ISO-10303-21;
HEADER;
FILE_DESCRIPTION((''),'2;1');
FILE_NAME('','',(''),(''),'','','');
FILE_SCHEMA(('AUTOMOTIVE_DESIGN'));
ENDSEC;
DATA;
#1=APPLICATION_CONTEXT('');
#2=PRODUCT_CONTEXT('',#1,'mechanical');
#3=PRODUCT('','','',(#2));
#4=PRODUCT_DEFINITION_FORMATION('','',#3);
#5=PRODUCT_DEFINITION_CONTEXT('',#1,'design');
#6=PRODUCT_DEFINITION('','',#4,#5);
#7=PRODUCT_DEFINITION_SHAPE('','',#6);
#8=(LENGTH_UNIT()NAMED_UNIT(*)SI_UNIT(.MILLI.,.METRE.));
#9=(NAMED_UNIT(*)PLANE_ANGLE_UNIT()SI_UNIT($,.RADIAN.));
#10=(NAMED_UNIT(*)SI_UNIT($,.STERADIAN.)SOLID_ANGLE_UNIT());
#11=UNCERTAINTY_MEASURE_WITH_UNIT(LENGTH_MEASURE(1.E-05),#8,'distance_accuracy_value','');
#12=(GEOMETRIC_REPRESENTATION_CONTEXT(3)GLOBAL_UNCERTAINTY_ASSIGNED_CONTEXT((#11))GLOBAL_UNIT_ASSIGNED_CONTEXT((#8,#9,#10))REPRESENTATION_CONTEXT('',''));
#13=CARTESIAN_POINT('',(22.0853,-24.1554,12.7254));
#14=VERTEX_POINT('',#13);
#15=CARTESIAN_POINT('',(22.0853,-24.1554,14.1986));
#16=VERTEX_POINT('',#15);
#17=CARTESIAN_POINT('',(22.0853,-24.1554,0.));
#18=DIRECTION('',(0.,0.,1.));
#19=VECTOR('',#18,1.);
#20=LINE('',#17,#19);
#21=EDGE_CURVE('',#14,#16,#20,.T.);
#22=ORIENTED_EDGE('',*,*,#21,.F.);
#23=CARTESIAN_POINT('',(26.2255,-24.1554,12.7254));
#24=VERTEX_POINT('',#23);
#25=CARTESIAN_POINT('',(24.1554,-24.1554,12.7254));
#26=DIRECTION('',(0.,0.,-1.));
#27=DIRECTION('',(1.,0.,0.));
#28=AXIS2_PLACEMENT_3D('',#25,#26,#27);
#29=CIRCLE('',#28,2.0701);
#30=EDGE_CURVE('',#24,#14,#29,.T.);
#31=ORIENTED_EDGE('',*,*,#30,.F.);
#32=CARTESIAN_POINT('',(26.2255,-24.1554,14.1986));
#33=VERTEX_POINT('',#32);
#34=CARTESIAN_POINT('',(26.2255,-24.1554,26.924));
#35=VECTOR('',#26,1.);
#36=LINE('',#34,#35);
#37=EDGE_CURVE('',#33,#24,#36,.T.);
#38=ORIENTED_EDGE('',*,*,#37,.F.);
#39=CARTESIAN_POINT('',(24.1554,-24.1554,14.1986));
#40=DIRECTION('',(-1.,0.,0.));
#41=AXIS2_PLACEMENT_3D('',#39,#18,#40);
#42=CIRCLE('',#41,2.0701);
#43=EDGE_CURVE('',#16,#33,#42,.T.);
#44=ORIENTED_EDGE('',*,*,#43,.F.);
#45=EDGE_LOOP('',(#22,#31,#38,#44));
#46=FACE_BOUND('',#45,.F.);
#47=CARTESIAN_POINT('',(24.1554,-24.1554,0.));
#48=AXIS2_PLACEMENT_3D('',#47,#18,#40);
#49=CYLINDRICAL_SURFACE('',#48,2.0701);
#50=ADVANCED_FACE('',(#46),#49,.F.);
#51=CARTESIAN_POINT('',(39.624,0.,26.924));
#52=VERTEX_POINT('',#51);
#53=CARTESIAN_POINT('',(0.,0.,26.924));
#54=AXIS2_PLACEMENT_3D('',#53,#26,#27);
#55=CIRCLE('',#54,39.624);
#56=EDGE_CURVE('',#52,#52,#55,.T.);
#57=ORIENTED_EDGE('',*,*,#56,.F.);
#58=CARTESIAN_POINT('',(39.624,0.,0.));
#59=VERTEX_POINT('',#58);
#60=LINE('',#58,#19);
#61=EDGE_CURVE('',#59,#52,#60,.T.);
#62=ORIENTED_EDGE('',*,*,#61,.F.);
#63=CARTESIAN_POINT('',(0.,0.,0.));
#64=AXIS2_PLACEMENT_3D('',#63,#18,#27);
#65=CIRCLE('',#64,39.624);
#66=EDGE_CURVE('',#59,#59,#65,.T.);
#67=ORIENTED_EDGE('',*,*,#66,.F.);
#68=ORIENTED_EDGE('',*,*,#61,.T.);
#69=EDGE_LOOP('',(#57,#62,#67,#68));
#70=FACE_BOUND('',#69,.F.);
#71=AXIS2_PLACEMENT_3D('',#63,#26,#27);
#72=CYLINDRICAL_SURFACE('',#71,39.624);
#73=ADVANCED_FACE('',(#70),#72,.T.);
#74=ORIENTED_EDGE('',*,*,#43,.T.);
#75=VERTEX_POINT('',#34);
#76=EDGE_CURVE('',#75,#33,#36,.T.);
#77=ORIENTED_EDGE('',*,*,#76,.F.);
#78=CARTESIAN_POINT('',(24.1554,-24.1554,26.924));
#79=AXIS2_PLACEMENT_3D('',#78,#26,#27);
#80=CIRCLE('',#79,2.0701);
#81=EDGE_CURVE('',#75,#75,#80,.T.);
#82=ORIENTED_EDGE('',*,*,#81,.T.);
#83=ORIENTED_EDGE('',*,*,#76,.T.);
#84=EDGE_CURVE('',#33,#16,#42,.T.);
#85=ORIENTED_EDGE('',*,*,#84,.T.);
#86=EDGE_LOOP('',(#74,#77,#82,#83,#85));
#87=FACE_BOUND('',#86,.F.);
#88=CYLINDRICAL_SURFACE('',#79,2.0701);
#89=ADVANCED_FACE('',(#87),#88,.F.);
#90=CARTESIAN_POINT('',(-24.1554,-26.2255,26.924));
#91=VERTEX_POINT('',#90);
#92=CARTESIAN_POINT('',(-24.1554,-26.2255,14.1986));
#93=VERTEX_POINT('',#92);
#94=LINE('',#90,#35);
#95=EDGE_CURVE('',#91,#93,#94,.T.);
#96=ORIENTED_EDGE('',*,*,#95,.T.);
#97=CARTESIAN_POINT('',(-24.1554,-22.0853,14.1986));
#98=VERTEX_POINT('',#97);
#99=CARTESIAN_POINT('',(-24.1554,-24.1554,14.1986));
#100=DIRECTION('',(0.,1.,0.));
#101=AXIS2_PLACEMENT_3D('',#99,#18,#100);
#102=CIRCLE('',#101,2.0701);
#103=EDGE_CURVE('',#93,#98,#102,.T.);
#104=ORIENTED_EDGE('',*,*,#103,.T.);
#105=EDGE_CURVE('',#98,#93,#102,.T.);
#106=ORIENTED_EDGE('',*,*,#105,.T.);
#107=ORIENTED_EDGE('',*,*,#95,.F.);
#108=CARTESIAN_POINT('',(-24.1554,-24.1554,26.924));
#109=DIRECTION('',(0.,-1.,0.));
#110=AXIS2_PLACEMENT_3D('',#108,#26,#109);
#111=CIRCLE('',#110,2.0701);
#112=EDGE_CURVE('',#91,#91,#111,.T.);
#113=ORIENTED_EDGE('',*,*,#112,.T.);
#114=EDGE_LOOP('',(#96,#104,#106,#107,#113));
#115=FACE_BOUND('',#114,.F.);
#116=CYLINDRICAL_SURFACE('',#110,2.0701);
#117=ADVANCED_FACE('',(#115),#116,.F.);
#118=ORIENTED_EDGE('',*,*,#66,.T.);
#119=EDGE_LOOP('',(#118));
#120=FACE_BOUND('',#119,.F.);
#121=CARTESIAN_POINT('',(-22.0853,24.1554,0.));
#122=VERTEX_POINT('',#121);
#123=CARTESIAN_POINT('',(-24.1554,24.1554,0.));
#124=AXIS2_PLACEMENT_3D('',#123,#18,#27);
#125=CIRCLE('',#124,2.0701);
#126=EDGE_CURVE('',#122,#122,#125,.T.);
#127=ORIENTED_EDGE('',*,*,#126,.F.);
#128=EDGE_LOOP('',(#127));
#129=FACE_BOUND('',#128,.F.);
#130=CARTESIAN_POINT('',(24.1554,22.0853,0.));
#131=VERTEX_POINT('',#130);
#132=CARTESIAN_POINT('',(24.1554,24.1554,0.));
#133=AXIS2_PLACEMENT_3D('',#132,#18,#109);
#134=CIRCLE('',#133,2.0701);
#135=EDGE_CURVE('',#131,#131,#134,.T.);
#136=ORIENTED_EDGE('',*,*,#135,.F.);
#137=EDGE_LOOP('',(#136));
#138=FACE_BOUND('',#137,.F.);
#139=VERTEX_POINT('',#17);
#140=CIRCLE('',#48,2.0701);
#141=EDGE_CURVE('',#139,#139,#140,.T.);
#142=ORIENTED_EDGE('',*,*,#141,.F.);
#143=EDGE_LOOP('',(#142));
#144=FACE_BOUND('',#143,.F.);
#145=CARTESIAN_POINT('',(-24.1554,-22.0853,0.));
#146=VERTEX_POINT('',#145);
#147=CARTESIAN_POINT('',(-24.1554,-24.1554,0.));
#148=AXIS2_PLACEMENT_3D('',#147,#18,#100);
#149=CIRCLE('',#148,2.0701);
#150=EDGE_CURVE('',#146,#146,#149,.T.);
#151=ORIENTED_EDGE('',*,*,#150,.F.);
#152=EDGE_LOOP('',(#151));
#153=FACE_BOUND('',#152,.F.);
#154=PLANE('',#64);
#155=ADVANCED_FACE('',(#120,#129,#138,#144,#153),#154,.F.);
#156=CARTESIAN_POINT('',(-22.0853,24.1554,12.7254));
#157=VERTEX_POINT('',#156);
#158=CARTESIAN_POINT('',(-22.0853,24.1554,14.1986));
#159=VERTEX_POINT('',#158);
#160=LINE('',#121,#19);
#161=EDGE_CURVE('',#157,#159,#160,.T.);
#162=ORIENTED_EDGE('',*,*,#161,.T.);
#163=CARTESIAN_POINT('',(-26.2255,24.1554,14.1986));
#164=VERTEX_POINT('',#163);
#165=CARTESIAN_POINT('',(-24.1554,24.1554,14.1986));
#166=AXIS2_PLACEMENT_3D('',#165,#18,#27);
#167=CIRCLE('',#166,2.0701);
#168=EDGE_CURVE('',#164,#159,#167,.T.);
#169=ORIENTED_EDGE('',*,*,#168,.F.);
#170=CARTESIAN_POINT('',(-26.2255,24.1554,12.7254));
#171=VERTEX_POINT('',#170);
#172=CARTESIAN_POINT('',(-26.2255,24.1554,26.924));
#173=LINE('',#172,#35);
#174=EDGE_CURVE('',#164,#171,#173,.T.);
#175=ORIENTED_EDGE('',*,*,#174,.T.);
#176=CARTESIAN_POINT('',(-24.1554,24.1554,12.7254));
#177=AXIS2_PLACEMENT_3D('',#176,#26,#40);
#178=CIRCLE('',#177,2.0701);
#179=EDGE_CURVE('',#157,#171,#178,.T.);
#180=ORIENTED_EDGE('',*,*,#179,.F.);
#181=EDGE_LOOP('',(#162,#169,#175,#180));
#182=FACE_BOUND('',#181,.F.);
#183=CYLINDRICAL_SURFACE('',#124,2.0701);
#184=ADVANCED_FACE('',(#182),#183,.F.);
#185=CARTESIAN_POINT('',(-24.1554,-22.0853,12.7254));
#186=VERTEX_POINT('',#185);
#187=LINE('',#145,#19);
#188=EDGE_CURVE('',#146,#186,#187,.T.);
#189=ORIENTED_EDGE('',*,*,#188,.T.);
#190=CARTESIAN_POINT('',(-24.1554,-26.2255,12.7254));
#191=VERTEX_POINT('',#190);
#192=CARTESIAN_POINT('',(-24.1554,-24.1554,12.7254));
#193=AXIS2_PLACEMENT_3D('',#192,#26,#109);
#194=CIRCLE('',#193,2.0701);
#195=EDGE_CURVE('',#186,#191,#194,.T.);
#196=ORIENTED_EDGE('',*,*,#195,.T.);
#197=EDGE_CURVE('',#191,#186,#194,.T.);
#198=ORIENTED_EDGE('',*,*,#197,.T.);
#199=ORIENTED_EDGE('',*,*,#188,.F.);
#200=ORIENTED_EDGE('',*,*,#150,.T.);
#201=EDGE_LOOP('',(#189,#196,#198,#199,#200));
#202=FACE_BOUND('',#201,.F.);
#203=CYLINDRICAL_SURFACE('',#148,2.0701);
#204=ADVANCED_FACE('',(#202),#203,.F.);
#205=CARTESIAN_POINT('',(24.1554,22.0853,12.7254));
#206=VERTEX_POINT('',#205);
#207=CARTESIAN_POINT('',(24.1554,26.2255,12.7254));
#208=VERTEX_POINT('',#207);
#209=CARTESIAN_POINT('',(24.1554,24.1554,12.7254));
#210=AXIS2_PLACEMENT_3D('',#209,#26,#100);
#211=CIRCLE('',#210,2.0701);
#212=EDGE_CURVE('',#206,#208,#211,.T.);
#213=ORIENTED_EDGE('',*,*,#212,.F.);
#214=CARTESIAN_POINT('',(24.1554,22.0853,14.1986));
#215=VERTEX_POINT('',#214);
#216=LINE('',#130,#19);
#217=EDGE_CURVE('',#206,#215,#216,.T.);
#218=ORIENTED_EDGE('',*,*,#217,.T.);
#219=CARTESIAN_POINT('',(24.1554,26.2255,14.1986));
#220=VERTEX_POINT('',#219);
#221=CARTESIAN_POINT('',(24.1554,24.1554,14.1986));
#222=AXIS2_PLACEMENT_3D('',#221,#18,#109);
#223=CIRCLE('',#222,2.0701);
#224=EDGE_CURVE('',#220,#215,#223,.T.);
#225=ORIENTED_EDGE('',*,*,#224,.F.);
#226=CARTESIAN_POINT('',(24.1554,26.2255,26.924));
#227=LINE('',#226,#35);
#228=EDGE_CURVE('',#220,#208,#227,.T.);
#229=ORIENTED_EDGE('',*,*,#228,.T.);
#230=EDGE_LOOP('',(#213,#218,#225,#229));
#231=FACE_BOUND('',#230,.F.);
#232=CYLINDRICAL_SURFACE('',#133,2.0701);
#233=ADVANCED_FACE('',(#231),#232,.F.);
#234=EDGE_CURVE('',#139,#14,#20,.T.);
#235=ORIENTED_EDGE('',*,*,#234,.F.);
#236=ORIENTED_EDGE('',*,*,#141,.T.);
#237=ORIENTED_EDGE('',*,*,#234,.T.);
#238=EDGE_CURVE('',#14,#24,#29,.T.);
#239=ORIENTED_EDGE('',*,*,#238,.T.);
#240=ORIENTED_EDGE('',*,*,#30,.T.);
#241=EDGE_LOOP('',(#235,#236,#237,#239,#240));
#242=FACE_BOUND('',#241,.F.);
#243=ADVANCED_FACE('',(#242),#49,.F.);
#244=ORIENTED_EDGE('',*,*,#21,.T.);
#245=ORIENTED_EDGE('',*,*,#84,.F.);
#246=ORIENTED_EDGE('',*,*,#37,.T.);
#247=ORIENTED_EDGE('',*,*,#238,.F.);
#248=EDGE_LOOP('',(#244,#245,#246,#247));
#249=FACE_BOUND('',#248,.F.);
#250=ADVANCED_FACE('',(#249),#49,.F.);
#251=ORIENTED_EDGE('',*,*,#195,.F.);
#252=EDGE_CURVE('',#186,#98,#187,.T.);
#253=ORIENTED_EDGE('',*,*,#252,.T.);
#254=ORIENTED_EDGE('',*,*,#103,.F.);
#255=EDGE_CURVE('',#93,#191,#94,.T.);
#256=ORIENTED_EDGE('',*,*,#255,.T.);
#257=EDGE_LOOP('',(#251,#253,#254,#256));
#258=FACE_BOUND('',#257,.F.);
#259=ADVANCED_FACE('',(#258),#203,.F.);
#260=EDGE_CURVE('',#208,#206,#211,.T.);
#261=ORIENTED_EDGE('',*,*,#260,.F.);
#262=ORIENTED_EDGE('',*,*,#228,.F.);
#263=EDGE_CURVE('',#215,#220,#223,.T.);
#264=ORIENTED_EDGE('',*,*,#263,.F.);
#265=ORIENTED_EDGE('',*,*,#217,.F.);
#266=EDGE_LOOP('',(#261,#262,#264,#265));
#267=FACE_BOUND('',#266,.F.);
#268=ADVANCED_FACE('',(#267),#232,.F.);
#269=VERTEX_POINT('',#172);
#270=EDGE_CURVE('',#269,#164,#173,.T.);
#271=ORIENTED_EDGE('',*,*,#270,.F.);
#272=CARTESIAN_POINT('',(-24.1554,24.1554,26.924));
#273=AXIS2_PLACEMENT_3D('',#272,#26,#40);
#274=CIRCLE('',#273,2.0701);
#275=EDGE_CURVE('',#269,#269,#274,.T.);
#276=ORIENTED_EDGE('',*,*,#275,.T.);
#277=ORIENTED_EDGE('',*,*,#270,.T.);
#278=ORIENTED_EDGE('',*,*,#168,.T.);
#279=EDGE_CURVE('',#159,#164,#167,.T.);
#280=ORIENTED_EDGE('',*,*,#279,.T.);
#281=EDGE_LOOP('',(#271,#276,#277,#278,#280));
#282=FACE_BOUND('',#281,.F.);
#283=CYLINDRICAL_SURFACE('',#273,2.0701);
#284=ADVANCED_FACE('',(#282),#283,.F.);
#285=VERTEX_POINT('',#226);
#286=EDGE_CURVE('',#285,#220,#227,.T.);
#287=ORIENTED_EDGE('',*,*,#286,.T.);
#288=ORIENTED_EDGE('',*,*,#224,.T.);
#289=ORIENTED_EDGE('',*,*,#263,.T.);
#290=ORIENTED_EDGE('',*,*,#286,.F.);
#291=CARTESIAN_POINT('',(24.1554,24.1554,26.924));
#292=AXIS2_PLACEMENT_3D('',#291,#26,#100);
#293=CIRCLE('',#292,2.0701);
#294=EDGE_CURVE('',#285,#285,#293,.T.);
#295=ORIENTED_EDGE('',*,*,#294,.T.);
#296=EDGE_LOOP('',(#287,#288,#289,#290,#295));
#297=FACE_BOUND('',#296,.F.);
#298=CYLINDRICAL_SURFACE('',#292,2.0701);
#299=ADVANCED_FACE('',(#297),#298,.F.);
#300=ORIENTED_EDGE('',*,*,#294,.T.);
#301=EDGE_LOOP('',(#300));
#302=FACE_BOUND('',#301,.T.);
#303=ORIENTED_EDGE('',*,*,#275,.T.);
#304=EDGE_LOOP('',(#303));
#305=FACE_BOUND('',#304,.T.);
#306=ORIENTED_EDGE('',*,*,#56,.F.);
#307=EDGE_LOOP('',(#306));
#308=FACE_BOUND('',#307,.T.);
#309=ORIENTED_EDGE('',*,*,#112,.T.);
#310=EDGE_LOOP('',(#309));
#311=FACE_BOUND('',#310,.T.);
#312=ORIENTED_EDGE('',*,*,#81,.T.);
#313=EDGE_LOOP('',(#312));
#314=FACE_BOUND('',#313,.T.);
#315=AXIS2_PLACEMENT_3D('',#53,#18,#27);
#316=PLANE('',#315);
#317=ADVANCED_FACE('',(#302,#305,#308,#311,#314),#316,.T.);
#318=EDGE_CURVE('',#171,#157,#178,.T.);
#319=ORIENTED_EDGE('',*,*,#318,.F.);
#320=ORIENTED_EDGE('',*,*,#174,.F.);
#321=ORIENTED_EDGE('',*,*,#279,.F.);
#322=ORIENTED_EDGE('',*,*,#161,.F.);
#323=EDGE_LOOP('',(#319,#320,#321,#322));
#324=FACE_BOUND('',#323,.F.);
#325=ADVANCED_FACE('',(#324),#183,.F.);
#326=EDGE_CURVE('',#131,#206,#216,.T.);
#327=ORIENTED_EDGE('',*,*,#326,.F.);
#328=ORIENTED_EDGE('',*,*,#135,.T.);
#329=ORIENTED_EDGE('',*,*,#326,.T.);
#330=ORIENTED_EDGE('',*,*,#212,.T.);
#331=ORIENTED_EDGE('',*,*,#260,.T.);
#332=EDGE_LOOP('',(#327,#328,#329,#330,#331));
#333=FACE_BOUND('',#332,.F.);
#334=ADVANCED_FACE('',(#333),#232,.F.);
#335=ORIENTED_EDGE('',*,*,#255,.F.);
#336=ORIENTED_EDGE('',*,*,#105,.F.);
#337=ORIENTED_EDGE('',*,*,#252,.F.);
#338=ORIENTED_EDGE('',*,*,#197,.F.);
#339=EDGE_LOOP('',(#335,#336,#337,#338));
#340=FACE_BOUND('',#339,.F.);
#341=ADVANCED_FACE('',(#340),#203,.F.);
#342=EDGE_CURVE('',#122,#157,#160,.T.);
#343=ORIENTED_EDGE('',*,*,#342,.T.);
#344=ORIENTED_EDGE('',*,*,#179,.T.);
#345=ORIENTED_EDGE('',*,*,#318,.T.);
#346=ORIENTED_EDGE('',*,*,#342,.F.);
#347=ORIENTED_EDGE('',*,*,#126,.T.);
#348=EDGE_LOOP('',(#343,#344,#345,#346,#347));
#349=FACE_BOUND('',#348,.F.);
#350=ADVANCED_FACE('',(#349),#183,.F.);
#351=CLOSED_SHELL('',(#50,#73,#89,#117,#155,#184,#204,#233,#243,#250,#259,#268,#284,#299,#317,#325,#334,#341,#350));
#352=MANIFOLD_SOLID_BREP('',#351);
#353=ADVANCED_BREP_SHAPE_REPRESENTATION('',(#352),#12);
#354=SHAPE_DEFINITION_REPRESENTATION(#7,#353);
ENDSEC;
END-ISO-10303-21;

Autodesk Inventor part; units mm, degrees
ref_plane "YZ Plane" through (0, 0, 0) normal (1, 0, 0) x (0, 1, 0)
ref_plane "XZ Plane" through (0, 0, 0) normal (0, 1, 0) x (-1, 0, 0)
ref_plane "XY Plane" through (0, 0, 0) normal (0, 0, 1) x (1, 0, 0)
sketch "Sketch1" plane through (0, 0, 0) normal (0, 0, 1) x (1, 0, 0)
  line L0 (0, 55.4736) -> (0, -55.4736) projected
  line L1 (-55.4736, 0) -> (55.4736, 0) projected
  circle A0 centre (0, 0) radius 39.624
  circle A1 centre (0, 0) radius 10.3188
  dimension "d0" = 20.6375
  dimension "d1" = 79.248
extrude "Extrusion1" add sketch "Sketch1" along normal blind 26.924
sketch "Sketch2" plane through (0, 0, 0) normal (0, 0, -1) x (-1, 0, 0)
  line L0 (0, -55.4736) -> (0, 55.4736) projected
  line L1 (-55.4736, 0) -> (55.4736, 0) projected
  line L2 (-24.1554, -24.1554) -> (24.1554, -24.1554) construction
  line L3 (24.1554, -24.1554) -> (24.1554, 24.1554) construction
  line L4 (24.1554, 24.1554) -> (-24.1554, 24.1554) construction
  line L5 (-24.1554, 24.1554) -> (-24.1554, -24.1554) construction
  line L6 (-24.1554, -24.1554) -> (24.1554, 24.1554) construction
  line L7 (24.1554, -24.1554) -> (-24.1554, 24.1554) construction
  point P0 (0, 0)
  dimension "d22" = 48.3108
hole "Hole1" at (-24.1554, -24.1554, 0) direction (0, 0, 1) diameter 4.1402 depth 14.1986 tip angle 118
sketch "Sketch3" plane through (0, 0, 26.924) normal (0, 0, 1) x (1, 0, 0)
  circle A0 centre (-24.1554, -24.1554) radius 2.0701 projected
  point P0 (0, 0)
hole "Hole2" at (-24.1554, -24.1554, 26.924) direction (0, 0, -1) diameter 4.1402 depth 14.1986 tip angle 118
pattern_circular "Circular Pattern1" count 4 over 360 about axis through (0, 0, -10) along (0, 0, 1) of "Hole1", "Hole2"
properties part number "J008109" material "ALUMINUM, 6061-T651"
